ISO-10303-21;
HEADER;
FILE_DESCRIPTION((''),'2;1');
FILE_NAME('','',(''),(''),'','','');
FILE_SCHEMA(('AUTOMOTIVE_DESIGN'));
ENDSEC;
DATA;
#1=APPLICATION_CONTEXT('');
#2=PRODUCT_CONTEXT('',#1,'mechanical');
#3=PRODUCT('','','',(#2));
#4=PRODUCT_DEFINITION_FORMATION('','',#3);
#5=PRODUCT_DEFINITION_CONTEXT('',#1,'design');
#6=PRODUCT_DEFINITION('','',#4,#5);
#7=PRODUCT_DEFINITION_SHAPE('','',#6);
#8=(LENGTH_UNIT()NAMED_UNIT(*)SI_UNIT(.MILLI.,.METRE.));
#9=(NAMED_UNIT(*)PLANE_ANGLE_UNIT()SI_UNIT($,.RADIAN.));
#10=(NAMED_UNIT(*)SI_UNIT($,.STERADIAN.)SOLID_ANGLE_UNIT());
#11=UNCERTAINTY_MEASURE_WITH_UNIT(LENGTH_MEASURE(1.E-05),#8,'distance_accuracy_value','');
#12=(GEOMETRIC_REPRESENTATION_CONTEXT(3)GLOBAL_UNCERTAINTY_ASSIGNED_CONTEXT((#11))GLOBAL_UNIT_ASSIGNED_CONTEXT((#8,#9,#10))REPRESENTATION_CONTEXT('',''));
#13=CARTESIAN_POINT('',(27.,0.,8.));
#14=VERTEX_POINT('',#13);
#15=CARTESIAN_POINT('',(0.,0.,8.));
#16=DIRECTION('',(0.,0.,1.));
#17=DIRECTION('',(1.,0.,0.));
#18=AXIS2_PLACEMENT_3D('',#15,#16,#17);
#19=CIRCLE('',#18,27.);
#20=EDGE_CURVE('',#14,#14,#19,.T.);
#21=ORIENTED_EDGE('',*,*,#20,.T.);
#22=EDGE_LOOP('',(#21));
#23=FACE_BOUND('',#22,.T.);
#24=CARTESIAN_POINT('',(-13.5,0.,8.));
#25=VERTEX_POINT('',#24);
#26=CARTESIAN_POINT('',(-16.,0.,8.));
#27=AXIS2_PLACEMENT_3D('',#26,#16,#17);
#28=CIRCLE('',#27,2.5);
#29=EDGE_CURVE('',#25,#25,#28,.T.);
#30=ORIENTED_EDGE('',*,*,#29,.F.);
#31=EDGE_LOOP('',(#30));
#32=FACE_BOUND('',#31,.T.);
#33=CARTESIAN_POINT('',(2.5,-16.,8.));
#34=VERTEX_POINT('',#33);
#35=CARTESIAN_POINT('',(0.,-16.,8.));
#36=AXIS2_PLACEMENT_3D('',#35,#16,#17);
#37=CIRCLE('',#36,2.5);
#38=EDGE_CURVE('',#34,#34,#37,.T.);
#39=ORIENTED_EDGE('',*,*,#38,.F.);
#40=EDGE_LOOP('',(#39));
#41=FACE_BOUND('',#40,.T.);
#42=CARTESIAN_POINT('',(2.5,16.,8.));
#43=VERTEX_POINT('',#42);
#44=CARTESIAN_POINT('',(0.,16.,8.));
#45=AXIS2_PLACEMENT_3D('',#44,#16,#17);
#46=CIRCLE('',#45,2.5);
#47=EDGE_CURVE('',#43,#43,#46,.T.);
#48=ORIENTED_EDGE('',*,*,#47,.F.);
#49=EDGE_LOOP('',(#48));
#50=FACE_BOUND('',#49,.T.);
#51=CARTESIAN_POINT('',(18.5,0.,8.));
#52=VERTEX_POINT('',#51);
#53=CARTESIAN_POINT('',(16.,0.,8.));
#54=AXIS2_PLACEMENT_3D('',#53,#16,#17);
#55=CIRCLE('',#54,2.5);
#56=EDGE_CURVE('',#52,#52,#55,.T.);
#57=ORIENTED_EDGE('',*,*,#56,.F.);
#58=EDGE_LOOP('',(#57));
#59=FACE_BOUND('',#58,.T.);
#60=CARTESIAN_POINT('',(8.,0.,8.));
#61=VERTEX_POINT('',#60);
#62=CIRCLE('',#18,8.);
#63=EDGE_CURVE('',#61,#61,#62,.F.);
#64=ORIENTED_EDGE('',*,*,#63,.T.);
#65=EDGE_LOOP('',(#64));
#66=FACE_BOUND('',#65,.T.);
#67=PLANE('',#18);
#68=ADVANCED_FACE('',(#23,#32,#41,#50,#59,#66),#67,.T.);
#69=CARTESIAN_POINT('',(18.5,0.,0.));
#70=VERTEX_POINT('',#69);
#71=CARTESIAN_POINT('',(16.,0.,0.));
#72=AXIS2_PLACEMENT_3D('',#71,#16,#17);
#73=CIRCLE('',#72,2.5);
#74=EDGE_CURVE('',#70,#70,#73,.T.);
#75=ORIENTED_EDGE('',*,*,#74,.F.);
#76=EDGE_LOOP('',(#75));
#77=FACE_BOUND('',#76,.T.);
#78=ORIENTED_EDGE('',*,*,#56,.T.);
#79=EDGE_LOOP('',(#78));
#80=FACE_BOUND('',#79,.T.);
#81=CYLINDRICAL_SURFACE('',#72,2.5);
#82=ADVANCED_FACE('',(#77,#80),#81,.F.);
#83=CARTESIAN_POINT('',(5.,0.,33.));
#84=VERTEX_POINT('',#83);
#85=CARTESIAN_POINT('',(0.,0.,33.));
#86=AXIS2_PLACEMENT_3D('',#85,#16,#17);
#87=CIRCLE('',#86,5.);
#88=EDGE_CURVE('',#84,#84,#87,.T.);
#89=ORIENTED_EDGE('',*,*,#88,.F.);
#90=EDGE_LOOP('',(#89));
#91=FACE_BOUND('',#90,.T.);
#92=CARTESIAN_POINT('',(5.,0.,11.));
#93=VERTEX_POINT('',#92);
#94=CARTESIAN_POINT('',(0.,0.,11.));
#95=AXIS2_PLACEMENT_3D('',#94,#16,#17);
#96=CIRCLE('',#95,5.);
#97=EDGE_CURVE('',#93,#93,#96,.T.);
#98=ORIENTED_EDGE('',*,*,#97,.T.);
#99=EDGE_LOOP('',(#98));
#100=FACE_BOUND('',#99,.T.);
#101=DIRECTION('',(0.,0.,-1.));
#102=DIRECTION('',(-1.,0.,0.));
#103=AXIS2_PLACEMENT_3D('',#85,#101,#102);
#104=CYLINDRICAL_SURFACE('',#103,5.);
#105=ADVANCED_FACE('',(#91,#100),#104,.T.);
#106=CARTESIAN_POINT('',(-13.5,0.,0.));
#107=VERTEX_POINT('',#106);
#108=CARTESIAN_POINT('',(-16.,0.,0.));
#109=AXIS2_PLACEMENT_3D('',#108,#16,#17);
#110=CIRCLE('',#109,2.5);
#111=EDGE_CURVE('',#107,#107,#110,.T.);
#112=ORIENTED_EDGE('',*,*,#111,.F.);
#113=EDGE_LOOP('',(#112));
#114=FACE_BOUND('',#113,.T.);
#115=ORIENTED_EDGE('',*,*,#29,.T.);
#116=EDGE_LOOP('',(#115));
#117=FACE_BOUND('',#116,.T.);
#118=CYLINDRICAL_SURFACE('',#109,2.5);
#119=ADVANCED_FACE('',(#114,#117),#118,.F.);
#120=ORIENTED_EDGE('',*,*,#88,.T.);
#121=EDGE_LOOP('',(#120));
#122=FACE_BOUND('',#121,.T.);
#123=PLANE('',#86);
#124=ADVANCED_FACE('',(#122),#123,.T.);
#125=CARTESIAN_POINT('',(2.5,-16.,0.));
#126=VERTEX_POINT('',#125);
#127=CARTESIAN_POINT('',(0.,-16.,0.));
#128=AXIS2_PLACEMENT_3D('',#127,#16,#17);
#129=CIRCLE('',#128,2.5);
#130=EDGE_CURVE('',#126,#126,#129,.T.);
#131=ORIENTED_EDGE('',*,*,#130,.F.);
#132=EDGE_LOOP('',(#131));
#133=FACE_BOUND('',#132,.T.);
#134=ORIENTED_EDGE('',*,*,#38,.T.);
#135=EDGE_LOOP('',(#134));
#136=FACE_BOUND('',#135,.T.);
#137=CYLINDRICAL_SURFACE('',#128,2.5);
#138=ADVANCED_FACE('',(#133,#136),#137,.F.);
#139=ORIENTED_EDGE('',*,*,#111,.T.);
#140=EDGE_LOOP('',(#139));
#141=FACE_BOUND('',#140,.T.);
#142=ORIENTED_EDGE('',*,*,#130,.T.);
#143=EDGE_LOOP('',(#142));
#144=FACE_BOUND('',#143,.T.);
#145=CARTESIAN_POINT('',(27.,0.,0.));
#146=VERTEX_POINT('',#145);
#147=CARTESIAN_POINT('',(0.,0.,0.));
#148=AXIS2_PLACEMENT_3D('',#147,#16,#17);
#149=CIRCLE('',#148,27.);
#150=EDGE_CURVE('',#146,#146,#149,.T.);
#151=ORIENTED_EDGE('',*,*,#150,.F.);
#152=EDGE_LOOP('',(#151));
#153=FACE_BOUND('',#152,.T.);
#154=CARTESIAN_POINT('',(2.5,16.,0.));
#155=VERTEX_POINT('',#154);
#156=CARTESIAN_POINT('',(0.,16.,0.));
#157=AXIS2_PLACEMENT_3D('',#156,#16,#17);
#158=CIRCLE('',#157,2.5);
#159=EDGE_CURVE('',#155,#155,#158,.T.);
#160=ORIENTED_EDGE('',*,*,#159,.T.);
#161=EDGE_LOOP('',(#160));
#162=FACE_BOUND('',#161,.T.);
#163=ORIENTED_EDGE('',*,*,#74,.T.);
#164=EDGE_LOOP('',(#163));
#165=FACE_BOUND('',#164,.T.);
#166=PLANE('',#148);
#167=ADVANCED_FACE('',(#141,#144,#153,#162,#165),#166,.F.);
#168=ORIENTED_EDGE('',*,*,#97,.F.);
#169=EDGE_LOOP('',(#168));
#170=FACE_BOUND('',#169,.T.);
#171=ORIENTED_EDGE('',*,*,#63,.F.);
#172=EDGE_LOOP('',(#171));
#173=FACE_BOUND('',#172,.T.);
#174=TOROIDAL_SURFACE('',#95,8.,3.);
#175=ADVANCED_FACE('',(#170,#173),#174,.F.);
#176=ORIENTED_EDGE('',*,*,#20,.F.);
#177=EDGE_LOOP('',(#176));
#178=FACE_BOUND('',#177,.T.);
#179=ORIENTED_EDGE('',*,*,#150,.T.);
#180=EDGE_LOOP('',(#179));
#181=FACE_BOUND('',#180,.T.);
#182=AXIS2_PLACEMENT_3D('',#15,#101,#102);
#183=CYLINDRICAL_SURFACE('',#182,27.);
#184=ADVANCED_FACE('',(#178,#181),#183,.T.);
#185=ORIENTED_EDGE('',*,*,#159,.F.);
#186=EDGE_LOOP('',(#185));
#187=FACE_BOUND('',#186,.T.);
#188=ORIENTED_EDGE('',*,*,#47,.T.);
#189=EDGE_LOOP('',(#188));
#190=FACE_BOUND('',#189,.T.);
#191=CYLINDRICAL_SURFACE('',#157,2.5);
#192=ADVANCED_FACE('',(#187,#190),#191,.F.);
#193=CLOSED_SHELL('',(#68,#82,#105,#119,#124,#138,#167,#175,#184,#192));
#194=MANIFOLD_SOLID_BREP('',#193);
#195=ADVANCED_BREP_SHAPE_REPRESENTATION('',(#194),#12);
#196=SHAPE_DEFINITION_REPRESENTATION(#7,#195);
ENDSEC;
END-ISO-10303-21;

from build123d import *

# Parameters (mm, degrees)
SKETCH1_R           = 27
BOSS_EXTRUDE1_DEPTH = 8
SKETCH2_R           = 2.5
CUT_EXTRUDE1_DEPTH  = 8
SKETCH3_R           = 5
BOSS_EXTRUDE2_DEPTH = 25
FILLET1_R           = 3


with BuildPart() as part:
    # Sketch1 → Boss-Extrude1 (new body)
    with BuildSketch(Plane.XY):
        Circle(SKETCH1_R)
    extrude(amount=BOSS_EXTRUDE1_DEPTH)

    # Sketch2 → Cut-Extrude1 (cut)
    with BuildSketch(Plane.XY.offset(8)):
        with Locations((-16, 0)):
            Circle(SKETCH2_R)
        with Locations((0, 16)):
            Circle(SKETCH2_R)
        with Locations((16, 0)):
            Circle(SKETCH2_R)
        with Locations((0, -16)):
            Circle(SKETCH2_R)
    extrude(amount=-CUT_EXTRUDE1_DEPTH, mode=Mode.SUBTRACT)

    # Sketch3 → Boss-Extrude2 (add)
    with BuildSketch(Plane.XY.offset(8)):
        Circle(SKETCH3_R)
    extrude(amount=BOSS_EXTRUDE2_DEPTH)

    # Fillet1
    fillet1_edges = [part.edges().sort_by_distance(p)[0] for p in [
        (-5, 0, 8),
    ]]
    fillet(fillet1_edges, radius=FILLET1_R)


solid = part.part
